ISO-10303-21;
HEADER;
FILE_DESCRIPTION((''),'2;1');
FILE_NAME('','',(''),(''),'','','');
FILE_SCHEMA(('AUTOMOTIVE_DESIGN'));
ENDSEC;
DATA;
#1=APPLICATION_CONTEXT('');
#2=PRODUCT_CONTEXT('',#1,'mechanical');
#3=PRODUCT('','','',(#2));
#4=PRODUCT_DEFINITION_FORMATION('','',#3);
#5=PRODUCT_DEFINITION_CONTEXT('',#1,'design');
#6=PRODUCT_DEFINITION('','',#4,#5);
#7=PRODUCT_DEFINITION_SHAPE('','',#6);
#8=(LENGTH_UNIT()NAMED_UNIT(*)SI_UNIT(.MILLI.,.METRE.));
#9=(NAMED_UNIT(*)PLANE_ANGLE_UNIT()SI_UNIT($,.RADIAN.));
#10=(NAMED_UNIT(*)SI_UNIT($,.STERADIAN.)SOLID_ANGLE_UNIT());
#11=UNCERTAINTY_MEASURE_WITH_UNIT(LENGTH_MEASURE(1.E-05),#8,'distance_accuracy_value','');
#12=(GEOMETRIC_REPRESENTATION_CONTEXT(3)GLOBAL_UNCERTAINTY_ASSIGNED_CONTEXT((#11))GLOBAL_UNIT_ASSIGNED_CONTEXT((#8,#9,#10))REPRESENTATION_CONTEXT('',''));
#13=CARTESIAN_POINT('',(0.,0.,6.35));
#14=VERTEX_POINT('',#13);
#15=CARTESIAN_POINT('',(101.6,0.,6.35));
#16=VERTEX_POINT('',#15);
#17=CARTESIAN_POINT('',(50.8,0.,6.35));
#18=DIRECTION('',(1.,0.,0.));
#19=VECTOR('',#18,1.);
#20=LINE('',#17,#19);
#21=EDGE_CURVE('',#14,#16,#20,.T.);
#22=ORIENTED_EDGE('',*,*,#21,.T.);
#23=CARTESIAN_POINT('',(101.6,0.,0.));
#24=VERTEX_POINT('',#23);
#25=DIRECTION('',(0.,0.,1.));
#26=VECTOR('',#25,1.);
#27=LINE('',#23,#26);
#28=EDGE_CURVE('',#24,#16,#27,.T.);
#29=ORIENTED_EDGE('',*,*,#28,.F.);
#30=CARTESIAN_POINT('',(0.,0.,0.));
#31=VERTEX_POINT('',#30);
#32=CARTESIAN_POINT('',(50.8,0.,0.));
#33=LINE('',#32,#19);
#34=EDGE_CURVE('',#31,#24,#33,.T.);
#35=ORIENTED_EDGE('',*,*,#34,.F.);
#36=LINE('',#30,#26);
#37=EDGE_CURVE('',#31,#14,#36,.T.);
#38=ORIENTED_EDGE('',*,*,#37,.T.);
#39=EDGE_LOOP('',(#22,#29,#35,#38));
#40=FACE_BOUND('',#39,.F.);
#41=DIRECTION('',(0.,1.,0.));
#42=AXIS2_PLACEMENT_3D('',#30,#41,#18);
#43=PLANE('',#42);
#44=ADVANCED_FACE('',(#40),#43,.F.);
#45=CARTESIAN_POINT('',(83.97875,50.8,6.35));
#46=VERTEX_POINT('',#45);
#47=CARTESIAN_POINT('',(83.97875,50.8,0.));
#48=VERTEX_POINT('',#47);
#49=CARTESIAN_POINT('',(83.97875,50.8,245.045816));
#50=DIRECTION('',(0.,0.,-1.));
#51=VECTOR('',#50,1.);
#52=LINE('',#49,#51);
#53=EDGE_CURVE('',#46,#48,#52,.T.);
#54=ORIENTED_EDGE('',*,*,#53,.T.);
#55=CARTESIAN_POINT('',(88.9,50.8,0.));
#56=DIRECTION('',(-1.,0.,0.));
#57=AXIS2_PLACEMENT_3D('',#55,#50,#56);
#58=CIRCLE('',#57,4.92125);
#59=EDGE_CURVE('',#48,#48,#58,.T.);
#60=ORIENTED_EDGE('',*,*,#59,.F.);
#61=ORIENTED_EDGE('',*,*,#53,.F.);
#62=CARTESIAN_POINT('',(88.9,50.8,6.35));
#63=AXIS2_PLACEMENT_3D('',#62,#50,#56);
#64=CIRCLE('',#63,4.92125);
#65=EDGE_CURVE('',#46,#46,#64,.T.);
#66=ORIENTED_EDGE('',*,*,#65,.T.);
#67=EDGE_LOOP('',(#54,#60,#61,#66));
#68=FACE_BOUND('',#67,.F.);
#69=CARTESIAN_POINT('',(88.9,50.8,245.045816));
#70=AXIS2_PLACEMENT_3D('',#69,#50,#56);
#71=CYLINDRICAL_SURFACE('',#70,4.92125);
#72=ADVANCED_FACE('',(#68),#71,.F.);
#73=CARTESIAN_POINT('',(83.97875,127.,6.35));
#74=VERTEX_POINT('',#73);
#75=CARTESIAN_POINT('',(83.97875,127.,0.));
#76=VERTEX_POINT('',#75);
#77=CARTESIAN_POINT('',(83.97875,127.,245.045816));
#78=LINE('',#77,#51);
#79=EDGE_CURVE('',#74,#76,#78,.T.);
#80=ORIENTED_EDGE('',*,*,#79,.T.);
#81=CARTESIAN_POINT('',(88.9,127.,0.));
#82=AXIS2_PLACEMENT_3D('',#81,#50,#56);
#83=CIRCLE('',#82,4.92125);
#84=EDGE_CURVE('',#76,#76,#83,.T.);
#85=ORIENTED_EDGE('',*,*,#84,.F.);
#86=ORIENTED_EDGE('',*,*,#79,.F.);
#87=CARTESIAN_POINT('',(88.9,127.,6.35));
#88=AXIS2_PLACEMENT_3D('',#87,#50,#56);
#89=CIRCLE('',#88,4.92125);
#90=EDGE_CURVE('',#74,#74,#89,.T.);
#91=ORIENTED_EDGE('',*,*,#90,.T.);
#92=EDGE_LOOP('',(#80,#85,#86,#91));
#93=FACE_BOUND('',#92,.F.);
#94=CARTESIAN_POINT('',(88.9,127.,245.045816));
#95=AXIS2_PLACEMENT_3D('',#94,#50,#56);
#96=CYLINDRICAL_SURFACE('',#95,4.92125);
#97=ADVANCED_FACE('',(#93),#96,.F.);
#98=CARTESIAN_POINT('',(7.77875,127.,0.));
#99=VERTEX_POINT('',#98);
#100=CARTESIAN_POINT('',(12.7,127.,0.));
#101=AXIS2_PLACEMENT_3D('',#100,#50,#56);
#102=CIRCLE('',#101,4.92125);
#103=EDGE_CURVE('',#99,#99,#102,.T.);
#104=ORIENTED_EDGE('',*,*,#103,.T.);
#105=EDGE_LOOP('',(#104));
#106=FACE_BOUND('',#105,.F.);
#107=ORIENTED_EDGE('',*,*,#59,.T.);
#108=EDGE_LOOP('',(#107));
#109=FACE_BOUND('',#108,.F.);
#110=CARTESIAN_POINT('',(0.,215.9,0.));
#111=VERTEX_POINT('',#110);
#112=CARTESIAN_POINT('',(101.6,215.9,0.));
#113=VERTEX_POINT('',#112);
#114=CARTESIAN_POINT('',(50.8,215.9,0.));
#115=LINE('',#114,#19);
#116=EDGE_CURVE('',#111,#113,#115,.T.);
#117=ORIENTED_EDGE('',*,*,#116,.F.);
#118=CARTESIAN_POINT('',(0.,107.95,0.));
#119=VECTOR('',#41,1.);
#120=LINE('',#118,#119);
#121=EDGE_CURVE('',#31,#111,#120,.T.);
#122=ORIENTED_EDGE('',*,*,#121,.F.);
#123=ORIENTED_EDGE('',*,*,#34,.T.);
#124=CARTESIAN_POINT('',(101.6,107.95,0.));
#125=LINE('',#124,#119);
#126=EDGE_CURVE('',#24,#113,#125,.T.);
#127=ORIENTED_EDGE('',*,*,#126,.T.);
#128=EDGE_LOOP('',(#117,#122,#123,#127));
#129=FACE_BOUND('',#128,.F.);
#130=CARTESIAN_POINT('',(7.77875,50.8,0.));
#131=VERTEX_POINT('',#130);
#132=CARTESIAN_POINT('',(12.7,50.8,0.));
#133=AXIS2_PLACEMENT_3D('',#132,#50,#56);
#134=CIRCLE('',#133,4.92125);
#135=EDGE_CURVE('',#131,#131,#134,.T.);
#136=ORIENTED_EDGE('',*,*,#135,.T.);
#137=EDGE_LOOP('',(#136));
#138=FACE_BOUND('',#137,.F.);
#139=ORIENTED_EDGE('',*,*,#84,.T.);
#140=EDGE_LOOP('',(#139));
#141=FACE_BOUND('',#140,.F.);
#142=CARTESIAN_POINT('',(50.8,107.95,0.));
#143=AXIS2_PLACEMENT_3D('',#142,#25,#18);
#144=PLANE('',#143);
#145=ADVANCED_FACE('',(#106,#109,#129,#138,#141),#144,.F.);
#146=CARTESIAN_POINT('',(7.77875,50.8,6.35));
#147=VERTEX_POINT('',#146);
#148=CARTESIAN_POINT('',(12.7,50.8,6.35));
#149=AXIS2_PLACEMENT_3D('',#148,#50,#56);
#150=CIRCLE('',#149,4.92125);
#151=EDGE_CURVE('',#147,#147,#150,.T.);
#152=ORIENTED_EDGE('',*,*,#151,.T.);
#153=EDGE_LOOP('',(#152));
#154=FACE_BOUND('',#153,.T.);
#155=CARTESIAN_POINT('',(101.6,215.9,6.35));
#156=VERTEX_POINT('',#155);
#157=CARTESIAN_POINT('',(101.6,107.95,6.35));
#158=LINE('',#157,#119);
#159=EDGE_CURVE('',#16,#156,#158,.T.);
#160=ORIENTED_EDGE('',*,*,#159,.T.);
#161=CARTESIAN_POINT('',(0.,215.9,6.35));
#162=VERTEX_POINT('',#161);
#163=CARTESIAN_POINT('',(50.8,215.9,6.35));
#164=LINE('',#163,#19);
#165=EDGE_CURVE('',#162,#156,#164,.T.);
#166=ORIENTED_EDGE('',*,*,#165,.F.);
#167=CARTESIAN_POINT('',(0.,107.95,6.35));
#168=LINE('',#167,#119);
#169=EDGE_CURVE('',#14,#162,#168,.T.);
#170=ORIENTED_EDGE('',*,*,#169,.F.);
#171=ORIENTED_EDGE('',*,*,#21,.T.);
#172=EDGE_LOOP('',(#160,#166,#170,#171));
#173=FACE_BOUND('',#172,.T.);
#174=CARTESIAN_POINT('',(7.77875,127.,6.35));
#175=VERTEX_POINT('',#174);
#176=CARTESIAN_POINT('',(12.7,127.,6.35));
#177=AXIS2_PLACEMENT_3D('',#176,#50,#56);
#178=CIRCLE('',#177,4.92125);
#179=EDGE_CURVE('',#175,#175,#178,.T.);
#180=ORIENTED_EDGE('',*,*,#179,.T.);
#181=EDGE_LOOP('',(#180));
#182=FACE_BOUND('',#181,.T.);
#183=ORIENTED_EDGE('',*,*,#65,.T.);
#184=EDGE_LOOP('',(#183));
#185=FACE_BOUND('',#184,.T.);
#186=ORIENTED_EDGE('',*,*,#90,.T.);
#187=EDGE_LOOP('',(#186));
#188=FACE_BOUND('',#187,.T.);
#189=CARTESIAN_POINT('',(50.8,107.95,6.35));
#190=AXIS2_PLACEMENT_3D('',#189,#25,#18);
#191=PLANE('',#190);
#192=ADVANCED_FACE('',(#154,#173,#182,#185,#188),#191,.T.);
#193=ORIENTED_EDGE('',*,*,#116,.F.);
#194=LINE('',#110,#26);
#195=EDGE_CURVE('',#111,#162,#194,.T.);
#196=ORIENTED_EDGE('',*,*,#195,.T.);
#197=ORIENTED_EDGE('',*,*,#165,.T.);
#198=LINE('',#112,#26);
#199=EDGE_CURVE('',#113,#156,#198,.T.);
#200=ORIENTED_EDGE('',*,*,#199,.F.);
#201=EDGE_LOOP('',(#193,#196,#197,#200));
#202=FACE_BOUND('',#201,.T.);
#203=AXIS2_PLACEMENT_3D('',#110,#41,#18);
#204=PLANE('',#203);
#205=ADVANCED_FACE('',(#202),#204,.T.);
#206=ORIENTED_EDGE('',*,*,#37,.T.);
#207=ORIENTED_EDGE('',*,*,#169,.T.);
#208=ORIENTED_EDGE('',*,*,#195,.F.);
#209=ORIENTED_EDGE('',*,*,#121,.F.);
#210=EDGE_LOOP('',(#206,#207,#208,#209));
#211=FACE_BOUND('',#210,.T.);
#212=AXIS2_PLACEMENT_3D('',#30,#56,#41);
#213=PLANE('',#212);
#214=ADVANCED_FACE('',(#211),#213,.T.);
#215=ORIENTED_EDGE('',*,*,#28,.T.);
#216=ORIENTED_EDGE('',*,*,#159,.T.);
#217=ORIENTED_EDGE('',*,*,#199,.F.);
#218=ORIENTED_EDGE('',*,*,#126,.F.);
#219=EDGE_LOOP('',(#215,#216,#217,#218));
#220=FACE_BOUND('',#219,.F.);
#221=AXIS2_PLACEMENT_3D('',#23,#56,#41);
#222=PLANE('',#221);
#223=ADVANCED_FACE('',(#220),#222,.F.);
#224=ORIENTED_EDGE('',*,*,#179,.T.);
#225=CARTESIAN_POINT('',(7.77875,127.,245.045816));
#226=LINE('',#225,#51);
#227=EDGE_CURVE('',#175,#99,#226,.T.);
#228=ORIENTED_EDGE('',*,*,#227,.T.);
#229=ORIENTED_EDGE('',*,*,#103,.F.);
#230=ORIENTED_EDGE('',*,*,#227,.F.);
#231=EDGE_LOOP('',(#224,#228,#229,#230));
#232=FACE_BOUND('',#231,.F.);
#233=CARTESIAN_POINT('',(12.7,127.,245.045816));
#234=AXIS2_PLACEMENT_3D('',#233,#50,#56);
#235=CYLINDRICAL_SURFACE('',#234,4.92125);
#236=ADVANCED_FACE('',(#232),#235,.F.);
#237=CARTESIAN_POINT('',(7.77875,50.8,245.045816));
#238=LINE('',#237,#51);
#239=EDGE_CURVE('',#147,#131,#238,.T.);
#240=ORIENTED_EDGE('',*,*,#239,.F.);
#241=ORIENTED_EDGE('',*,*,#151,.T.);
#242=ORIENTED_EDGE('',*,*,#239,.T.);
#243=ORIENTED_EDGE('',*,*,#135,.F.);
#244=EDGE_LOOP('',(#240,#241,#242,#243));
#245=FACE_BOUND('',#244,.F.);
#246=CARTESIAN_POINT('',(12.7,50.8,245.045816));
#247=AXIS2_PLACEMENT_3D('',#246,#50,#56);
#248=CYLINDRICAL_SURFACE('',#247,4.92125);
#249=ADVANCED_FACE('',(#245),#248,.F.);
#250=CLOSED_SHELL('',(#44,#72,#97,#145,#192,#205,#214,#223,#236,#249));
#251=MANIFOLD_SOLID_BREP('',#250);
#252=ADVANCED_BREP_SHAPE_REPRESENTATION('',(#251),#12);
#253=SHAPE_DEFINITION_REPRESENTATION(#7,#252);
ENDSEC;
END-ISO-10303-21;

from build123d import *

# Parameters (mm, degrees)
F0_W     = 101.6
F0_H     = 215.9
F1_DEPTH = 6.35
F3_D     = 9.8425


with BuildPart() as f1:
    # F0 (on Top) → F1 (new body)
    with BuildSketch(Plane.XY):
        with Locations((50.8, 107.95)):
            Rectangle(F0_W, F0_H)
    extrude(amount=F1_DEPTH)

    # F3 (through all)
    with Locations(Plane.XY.offset(6.35)):
        with Locations((12.7, 127), (88.9, 127), (88.9, 50.8), (12.7, 50.8)):
            Hole(F3_D / 2)


solid = f1.part
